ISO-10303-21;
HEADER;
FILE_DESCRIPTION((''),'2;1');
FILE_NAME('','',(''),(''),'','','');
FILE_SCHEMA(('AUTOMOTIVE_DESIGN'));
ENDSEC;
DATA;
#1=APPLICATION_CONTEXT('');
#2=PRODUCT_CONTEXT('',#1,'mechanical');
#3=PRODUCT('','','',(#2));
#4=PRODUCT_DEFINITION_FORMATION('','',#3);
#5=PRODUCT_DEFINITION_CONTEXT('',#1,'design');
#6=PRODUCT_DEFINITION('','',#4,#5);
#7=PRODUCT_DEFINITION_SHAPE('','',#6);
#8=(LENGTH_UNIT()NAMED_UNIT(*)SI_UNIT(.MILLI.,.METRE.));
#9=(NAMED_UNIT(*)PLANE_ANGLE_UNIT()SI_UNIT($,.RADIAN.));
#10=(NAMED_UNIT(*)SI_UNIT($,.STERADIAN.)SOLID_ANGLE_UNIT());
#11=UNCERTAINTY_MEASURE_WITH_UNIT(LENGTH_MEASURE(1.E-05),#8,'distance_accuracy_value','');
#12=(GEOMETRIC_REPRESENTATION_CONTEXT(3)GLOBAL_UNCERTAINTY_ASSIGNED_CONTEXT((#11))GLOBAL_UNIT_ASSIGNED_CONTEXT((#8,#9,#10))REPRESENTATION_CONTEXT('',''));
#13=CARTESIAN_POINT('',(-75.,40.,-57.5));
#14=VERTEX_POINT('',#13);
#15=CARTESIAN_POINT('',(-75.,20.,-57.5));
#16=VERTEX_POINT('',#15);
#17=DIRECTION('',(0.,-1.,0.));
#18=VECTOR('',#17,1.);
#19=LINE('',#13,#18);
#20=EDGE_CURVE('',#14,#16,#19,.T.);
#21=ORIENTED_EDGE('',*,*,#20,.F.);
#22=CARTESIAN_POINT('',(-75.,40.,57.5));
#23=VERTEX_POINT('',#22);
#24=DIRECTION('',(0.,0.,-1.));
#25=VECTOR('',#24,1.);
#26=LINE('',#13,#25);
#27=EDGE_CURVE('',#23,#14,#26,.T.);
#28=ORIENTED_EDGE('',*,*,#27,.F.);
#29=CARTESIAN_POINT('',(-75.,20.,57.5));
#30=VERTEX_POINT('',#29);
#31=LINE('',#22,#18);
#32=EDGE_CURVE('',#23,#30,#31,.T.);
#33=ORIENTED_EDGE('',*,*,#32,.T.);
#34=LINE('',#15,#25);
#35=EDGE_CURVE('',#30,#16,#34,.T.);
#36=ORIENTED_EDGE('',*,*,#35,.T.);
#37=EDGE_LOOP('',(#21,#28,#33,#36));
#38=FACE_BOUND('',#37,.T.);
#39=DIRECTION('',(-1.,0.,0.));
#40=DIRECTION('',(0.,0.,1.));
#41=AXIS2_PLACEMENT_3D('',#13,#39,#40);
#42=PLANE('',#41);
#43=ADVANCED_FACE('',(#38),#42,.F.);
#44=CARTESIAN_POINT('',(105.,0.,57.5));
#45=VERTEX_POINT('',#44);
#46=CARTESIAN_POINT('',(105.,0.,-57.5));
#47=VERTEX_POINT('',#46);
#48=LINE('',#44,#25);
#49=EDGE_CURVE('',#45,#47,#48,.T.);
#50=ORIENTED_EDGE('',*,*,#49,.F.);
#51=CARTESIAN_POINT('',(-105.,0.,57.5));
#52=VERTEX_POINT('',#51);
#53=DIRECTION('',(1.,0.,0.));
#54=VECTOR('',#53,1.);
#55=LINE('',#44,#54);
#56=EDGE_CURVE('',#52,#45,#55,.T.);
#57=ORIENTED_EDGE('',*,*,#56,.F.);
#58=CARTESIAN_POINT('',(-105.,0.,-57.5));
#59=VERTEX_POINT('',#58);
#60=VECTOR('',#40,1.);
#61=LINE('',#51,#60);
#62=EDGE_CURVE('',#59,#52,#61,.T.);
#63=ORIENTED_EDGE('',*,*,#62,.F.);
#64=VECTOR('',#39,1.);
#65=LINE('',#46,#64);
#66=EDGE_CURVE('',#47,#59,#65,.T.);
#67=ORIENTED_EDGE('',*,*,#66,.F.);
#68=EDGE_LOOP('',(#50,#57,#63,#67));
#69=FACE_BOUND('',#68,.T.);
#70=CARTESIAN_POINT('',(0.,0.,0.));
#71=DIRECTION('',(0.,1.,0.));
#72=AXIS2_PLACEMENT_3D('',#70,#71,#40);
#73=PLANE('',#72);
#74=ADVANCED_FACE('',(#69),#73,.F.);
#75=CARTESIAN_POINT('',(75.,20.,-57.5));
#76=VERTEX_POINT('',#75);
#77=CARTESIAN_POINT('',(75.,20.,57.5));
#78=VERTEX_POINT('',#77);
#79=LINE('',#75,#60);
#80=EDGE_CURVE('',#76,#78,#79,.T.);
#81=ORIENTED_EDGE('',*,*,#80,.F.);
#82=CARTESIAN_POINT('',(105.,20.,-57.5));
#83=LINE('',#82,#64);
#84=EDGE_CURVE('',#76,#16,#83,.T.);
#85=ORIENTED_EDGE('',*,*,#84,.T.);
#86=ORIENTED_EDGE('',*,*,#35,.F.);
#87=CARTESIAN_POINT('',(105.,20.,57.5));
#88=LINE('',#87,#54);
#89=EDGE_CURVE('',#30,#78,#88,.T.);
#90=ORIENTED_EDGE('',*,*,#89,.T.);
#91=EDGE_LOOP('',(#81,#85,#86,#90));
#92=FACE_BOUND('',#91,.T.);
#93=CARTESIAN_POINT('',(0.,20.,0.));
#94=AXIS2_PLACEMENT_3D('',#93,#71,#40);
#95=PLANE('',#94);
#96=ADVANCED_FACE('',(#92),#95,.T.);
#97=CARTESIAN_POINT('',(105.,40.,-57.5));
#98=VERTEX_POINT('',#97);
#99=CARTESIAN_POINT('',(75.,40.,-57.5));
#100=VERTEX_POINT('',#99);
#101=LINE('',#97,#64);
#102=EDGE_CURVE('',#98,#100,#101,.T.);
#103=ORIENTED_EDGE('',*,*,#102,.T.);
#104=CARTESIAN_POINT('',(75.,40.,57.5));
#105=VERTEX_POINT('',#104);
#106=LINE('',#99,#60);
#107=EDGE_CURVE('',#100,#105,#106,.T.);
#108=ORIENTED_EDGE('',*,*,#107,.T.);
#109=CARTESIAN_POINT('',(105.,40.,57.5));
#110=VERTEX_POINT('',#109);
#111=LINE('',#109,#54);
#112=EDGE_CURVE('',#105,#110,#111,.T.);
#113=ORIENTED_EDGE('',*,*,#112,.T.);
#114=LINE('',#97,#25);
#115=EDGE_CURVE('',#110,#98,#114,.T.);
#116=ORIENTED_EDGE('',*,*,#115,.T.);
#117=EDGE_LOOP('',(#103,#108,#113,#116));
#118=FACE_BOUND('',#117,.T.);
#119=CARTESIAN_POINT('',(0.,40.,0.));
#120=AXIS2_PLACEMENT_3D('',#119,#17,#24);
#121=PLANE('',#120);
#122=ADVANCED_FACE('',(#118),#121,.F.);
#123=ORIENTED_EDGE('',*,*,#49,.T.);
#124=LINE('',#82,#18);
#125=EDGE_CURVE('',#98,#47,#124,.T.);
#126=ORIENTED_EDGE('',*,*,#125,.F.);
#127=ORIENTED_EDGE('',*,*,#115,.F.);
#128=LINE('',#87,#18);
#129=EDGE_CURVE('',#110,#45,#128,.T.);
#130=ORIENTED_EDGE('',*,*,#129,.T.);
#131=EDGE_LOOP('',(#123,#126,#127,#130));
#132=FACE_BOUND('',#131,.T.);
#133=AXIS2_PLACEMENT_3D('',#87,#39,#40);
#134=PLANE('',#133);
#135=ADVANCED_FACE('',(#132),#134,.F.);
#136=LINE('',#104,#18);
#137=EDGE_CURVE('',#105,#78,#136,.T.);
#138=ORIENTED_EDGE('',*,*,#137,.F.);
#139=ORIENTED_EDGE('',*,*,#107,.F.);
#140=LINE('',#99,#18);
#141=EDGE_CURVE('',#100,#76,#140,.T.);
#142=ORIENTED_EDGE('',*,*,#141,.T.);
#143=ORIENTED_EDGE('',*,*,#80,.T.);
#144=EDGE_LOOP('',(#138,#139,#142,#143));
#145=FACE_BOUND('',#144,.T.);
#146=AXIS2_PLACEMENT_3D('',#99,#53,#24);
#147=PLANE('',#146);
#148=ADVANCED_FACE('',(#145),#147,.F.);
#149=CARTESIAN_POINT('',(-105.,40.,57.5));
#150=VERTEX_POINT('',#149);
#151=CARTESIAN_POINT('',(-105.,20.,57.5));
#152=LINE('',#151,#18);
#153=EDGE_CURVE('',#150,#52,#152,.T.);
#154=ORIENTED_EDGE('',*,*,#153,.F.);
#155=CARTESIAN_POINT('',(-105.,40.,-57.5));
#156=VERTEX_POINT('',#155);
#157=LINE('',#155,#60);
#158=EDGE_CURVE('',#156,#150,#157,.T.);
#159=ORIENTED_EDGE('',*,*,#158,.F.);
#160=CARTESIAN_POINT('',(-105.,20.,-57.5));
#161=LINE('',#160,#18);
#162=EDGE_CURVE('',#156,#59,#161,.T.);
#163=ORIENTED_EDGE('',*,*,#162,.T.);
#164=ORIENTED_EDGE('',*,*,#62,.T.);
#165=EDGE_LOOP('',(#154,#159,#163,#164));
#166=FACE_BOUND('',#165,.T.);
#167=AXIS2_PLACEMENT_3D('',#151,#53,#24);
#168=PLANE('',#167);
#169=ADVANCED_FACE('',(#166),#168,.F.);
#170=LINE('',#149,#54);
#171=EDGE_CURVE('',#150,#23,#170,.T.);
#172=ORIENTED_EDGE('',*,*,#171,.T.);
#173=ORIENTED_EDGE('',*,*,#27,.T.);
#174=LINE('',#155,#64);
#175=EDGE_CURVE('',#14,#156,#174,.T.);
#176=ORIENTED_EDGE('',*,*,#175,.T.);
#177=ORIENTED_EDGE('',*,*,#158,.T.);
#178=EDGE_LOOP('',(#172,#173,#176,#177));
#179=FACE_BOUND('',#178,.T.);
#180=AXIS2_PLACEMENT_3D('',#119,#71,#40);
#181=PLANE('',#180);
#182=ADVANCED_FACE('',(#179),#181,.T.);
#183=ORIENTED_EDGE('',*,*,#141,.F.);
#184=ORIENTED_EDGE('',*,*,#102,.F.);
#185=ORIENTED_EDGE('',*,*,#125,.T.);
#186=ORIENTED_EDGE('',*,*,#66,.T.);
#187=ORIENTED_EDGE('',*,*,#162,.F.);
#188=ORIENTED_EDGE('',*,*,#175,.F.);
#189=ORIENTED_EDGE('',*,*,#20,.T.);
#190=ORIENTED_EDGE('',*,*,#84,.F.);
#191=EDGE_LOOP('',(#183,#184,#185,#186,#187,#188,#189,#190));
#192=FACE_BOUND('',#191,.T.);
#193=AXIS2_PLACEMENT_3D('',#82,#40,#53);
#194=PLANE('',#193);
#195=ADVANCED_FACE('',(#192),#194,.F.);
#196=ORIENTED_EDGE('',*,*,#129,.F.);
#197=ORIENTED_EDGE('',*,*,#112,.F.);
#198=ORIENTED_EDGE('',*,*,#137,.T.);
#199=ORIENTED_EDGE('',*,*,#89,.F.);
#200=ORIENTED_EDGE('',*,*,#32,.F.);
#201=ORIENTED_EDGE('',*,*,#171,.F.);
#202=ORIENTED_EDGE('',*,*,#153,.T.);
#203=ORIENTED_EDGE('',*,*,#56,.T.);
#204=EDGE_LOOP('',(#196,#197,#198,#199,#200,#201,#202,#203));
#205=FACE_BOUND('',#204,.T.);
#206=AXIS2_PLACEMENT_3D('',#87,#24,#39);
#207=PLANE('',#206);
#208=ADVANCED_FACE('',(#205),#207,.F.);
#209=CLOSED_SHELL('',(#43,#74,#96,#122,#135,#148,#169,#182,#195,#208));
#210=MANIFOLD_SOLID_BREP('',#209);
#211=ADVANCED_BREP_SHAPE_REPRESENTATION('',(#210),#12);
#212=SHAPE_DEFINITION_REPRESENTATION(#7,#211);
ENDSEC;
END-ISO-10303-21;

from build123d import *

# Parameters (mm, degrees)
SKETCH1_W           = 210
SKETCH1_H           = 115
BOSS_EXTRUDE1_DEPTH = 20
SKETCH3_W           = 30
SKETCH3_H           = 115
BOSS_EXTRUDE2_DEPTH = 20


with BuildPart() as part:
    # Sketch1 → Boss-Extrude1 (new body)
    with BuildSketch(Plane(origin=(0, 0, 0), x_dir=(1, 0, 0), z_dir=(0, 1, 0))):
        Rectangle(SKETCH1_W, SKETCH1_H)
    extrude(amount=BOSS_EXTRUDE1_DEPTH)

    # Sketch3 → Boss-Extrude2 (add)
    with BuildSketch(Plane(origin=(0, 20, 0), x_dir=(1, 0, 0), z_dir=(0, 1, 0))):
        with Locations((-90, 0)):
            Rectangle(SKETCH3_W, SKETCH3_H)
        with Locations((90, 0)):
            Rectangle(SKETCH3_W, SKETCH3_H)
    extrude(amount=BOSS_EXTRUDE2_DEPTH)


solid = part.part
